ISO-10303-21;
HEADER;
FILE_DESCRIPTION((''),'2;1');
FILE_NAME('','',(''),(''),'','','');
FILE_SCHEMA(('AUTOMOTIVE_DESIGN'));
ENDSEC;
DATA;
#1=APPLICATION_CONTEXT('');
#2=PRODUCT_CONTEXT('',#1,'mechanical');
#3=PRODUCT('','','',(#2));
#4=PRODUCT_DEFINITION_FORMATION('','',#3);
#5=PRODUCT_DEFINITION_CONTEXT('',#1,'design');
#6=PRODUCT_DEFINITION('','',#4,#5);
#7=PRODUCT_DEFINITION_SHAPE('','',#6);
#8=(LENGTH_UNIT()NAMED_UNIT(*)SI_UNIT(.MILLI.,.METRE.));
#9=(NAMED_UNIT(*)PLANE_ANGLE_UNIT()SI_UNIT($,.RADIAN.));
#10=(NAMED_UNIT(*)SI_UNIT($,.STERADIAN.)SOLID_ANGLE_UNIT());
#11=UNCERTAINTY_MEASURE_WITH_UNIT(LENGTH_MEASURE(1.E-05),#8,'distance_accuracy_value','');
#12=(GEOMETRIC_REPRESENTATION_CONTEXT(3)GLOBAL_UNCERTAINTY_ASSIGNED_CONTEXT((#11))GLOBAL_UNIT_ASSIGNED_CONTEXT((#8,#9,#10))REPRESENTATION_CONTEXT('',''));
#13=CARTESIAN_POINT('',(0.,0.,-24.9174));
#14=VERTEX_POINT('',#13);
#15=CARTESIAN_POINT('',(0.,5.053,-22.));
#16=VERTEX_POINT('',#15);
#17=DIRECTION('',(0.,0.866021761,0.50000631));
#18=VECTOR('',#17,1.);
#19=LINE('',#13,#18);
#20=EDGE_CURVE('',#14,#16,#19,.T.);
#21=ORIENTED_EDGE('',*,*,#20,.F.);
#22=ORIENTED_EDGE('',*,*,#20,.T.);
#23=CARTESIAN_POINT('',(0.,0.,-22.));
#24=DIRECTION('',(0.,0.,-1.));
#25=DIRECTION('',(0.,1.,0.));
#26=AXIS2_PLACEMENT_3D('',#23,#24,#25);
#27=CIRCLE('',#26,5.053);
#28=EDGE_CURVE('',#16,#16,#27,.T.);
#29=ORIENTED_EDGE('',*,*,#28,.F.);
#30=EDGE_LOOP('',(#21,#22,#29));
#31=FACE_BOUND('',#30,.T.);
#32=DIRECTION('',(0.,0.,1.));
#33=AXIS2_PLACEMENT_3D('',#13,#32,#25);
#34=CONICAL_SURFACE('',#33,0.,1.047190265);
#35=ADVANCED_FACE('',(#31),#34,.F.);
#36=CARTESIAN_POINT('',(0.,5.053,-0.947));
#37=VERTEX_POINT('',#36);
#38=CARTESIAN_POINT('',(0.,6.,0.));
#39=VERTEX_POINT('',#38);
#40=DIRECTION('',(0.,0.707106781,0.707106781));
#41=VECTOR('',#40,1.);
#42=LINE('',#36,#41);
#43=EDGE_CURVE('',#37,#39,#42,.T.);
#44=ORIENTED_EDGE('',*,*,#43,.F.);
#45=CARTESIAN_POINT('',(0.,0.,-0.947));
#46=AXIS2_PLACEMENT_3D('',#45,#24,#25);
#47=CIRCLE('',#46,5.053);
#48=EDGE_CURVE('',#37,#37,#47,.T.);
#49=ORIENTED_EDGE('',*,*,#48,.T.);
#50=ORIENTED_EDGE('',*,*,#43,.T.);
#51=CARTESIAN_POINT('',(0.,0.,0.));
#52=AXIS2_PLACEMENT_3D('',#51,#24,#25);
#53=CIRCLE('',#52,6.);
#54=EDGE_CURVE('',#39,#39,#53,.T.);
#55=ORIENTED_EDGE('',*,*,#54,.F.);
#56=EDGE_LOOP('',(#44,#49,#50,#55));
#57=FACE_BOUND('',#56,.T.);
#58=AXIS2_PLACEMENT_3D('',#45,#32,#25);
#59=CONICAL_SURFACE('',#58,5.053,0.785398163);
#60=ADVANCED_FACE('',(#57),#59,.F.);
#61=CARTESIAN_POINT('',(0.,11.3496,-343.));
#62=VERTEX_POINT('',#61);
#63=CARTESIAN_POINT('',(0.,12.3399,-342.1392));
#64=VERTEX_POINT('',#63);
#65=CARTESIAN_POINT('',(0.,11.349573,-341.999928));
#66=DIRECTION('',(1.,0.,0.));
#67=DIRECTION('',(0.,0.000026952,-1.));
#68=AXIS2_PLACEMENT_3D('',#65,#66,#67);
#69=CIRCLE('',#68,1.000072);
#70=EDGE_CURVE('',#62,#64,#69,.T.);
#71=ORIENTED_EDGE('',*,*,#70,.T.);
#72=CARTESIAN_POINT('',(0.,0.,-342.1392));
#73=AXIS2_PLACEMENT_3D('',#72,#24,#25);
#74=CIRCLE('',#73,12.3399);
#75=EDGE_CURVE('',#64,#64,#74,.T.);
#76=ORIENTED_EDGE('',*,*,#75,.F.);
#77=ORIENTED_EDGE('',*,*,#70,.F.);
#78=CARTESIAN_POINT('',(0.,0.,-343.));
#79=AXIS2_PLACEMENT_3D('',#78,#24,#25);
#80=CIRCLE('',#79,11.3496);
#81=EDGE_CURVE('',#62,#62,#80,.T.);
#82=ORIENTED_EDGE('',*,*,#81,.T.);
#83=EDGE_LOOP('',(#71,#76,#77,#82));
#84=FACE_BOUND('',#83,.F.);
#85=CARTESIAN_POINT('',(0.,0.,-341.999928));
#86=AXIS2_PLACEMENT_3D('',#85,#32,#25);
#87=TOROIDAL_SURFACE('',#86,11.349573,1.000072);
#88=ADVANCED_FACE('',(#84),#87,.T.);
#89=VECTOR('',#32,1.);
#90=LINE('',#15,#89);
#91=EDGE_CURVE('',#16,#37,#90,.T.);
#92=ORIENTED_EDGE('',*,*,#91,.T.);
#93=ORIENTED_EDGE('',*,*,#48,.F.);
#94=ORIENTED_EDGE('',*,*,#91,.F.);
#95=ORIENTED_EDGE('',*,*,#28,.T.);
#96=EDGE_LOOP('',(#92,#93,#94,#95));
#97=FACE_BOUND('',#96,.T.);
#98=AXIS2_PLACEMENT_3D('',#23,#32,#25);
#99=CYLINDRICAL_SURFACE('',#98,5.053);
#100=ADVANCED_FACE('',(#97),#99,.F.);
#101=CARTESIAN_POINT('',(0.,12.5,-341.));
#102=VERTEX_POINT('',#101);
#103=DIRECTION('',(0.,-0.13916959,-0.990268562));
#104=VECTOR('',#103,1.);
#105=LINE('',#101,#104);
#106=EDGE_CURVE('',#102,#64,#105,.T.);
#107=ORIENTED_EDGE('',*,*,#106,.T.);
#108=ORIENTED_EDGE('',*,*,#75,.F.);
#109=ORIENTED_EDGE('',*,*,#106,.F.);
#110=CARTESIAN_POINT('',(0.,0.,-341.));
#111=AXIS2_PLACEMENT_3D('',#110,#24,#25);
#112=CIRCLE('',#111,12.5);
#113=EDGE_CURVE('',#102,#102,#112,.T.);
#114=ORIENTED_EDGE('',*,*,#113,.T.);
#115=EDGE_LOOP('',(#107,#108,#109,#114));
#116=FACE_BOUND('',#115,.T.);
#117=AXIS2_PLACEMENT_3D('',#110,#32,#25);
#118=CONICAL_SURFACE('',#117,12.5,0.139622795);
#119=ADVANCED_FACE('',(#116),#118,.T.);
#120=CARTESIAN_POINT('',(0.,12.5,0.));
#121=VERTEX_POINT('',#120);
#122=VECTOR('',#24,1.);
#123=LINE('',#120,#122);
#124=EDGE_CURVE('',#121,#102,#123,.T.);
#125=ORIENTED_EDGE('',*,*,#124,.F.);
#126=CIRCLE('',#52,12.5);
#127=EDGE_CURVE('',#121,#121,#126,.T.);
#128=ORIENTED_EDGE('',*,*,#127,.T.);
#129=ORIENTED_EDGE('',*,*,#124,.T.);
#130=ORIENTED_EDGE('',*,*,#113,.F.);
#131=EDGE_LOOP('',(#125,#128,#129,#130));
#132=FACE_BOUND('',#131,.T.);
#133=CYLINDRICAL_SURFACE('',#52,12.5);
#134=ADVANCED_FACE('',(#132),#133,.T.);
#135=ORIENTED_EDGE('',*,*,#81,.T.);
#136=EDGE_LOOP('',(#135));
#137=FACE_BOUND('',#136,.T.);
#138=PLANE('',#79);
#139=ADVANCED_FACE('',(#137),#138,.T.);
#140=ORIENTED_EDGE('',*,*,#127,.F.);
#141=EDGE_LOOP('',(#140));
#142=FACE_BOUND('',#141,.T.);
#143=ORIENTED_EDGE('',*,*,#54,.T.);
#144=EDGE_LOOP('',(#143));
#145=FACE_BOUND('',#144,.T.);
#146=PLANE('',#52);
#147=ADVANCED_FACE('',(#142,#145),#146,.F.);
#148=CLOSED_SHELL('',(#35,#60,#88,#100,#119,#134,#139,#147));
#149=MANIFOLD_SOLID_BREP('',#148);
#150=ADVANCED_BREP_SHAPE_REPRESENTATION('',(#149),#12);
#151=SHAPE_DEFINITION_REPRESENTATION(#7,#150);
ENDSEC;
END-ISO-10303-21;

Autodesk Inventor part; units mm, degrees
sketch "Sketch_1" plane through (0, 0, 0) normal (1, 0, 0) x (0, 1, 0)
  line L0 (0, -343) -> (0, -24.9174)
  line L1 (0, -24.9174) -> (5.053, -22)
  line L2 (5.053, -22) -> (5.053, -0.947)
  line L3 (5.053, -0.947) -> (6, 0)
  line L4 (6, 0) -> (12.5, 0)
  line L5 (12.5, 0) -> (12.5, -341)
  line L6 (12.5, -341) -> (12.3399, -342.1392)
  arc A0 (11.3496, -343) -> (12.3399, -342.1392) centre (11.3496, -342) ccw
  line L7 (11.3496, -343) -> (0, -343)
  line L8 (0, -343) -> (0, -24.9174)
revolve "Revolution1" add sketch "Sketch_1" angle 360 about axis through (0, 0, -343) along (0, 0, -1)
thread "Thread1" size "M12x1.75" class "6H" standard "ISO Metric profile" length 15.053
ref_plane "ANBAU_XY" through (0, 0, 0) normal (0, 0, -1) x (1, 0, 0)
ref_plane "ANBAU_YZ" through (0, 0, 0) normal (1, 0, 0) x (0, -1, 0)
ref_plane "ANBAU_ZX" through (0, 0, 0) normal (0, -1, 0) x (0, 0, -1)
properties part number "2608532 EAGF-100-100-KF---(FST)"
